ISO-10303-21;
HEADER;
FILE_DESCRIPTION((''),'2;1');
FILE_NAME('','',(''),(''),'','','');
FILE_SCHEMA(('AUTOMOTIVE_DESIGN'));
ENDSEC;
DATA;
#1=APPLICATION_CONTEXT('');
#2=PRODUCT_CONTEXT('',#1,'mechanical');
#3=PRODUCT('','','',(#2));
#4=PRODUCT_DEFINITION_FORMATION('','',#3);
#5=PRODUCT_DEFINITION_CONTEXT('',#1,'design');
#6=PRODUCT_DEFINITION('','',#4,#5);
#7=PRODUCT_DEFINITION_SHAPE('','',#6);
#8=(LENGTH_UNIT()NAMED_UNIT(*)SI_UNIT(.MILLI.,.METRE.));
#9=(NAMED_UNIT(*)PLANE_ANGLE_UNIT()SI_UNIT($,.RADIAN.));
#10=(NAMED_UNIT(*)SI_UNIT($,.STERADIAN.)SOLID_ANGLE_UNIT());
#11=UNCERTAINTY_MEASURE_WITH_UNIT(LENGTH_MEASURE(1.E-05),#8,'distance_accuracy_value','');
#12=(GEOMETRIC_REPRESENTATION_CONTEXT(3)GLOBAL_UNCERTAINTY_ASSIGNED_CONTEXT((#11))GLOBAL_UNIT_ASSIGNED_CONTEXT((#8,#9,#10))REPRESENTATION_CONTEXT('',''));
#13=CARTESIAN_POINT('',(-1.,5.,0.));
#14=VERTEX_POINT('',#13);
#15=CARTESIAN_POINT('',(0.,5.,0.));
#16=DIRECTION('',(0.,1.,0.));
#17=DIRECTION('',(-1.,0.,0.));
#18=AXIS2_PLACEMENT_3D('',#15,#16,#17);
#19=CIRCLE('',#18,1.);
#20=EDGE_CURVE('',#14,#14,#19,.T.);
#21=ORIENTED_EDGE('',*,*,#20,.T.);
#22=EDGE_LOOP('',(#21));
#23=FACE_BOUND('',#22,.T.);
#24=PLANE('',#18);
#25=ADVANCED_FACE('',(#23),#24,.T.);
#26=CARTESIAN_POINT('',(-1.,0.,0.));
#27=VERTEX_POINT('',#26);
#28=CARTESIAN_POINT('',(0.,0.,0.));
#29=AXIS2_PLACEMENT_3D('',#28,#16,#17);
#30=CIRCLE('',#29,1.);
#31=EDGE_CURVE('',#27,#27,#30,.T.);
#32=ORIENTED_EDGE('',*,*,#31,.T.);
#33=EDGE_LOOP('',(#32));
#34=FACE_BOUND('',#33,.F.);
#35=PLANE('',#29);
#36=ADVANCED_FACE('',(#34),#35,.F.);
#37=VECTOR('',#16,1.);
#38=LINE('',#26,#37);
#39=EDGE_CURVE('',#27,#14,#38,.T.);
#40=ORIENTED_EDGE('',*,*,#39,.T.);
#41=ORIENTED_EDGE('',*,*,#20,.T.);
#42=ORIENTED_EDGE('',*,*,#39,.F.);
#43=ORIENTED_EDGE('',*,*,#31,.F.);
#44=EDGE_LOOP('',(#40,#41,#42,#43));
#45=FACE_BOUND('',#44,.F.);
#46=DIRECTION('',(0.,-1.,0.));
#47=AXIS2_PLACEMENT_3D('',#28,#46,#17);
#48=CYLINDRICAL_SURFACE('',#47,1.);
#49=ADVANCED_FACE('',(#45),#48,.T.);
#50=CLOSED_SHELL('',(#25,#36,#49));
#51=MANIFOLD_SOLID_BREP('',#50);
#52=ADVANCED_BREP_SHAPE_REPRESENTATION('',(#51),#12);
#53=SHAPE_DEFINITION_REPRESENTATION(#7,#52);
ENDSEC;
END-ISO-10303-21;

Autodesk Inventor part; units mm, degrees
ref_plane "YZ Plane" through (0, 0, 0) normal (1, 0, 0) x (0, 1, 0)
ref_plane "XZ Plane" through (0, 0, 0) normal (0, 1, 0) x (-1, 0, 0)
ref_plane "XY Plane" through (0, 0, 0) normal (0, 0, 1) x (1, 0, 0)
sketch "Sketch1" plane through (0, 0, 0) normal (0, 1, 0) x (-1, 0, 0)
  circle A0 centre (0, 0) radius 1
  dimension "d0" = 2
extrude "Extrusion1" add sketch "Sketch1" along normal blind 5
properties part number "Pin_2_"
